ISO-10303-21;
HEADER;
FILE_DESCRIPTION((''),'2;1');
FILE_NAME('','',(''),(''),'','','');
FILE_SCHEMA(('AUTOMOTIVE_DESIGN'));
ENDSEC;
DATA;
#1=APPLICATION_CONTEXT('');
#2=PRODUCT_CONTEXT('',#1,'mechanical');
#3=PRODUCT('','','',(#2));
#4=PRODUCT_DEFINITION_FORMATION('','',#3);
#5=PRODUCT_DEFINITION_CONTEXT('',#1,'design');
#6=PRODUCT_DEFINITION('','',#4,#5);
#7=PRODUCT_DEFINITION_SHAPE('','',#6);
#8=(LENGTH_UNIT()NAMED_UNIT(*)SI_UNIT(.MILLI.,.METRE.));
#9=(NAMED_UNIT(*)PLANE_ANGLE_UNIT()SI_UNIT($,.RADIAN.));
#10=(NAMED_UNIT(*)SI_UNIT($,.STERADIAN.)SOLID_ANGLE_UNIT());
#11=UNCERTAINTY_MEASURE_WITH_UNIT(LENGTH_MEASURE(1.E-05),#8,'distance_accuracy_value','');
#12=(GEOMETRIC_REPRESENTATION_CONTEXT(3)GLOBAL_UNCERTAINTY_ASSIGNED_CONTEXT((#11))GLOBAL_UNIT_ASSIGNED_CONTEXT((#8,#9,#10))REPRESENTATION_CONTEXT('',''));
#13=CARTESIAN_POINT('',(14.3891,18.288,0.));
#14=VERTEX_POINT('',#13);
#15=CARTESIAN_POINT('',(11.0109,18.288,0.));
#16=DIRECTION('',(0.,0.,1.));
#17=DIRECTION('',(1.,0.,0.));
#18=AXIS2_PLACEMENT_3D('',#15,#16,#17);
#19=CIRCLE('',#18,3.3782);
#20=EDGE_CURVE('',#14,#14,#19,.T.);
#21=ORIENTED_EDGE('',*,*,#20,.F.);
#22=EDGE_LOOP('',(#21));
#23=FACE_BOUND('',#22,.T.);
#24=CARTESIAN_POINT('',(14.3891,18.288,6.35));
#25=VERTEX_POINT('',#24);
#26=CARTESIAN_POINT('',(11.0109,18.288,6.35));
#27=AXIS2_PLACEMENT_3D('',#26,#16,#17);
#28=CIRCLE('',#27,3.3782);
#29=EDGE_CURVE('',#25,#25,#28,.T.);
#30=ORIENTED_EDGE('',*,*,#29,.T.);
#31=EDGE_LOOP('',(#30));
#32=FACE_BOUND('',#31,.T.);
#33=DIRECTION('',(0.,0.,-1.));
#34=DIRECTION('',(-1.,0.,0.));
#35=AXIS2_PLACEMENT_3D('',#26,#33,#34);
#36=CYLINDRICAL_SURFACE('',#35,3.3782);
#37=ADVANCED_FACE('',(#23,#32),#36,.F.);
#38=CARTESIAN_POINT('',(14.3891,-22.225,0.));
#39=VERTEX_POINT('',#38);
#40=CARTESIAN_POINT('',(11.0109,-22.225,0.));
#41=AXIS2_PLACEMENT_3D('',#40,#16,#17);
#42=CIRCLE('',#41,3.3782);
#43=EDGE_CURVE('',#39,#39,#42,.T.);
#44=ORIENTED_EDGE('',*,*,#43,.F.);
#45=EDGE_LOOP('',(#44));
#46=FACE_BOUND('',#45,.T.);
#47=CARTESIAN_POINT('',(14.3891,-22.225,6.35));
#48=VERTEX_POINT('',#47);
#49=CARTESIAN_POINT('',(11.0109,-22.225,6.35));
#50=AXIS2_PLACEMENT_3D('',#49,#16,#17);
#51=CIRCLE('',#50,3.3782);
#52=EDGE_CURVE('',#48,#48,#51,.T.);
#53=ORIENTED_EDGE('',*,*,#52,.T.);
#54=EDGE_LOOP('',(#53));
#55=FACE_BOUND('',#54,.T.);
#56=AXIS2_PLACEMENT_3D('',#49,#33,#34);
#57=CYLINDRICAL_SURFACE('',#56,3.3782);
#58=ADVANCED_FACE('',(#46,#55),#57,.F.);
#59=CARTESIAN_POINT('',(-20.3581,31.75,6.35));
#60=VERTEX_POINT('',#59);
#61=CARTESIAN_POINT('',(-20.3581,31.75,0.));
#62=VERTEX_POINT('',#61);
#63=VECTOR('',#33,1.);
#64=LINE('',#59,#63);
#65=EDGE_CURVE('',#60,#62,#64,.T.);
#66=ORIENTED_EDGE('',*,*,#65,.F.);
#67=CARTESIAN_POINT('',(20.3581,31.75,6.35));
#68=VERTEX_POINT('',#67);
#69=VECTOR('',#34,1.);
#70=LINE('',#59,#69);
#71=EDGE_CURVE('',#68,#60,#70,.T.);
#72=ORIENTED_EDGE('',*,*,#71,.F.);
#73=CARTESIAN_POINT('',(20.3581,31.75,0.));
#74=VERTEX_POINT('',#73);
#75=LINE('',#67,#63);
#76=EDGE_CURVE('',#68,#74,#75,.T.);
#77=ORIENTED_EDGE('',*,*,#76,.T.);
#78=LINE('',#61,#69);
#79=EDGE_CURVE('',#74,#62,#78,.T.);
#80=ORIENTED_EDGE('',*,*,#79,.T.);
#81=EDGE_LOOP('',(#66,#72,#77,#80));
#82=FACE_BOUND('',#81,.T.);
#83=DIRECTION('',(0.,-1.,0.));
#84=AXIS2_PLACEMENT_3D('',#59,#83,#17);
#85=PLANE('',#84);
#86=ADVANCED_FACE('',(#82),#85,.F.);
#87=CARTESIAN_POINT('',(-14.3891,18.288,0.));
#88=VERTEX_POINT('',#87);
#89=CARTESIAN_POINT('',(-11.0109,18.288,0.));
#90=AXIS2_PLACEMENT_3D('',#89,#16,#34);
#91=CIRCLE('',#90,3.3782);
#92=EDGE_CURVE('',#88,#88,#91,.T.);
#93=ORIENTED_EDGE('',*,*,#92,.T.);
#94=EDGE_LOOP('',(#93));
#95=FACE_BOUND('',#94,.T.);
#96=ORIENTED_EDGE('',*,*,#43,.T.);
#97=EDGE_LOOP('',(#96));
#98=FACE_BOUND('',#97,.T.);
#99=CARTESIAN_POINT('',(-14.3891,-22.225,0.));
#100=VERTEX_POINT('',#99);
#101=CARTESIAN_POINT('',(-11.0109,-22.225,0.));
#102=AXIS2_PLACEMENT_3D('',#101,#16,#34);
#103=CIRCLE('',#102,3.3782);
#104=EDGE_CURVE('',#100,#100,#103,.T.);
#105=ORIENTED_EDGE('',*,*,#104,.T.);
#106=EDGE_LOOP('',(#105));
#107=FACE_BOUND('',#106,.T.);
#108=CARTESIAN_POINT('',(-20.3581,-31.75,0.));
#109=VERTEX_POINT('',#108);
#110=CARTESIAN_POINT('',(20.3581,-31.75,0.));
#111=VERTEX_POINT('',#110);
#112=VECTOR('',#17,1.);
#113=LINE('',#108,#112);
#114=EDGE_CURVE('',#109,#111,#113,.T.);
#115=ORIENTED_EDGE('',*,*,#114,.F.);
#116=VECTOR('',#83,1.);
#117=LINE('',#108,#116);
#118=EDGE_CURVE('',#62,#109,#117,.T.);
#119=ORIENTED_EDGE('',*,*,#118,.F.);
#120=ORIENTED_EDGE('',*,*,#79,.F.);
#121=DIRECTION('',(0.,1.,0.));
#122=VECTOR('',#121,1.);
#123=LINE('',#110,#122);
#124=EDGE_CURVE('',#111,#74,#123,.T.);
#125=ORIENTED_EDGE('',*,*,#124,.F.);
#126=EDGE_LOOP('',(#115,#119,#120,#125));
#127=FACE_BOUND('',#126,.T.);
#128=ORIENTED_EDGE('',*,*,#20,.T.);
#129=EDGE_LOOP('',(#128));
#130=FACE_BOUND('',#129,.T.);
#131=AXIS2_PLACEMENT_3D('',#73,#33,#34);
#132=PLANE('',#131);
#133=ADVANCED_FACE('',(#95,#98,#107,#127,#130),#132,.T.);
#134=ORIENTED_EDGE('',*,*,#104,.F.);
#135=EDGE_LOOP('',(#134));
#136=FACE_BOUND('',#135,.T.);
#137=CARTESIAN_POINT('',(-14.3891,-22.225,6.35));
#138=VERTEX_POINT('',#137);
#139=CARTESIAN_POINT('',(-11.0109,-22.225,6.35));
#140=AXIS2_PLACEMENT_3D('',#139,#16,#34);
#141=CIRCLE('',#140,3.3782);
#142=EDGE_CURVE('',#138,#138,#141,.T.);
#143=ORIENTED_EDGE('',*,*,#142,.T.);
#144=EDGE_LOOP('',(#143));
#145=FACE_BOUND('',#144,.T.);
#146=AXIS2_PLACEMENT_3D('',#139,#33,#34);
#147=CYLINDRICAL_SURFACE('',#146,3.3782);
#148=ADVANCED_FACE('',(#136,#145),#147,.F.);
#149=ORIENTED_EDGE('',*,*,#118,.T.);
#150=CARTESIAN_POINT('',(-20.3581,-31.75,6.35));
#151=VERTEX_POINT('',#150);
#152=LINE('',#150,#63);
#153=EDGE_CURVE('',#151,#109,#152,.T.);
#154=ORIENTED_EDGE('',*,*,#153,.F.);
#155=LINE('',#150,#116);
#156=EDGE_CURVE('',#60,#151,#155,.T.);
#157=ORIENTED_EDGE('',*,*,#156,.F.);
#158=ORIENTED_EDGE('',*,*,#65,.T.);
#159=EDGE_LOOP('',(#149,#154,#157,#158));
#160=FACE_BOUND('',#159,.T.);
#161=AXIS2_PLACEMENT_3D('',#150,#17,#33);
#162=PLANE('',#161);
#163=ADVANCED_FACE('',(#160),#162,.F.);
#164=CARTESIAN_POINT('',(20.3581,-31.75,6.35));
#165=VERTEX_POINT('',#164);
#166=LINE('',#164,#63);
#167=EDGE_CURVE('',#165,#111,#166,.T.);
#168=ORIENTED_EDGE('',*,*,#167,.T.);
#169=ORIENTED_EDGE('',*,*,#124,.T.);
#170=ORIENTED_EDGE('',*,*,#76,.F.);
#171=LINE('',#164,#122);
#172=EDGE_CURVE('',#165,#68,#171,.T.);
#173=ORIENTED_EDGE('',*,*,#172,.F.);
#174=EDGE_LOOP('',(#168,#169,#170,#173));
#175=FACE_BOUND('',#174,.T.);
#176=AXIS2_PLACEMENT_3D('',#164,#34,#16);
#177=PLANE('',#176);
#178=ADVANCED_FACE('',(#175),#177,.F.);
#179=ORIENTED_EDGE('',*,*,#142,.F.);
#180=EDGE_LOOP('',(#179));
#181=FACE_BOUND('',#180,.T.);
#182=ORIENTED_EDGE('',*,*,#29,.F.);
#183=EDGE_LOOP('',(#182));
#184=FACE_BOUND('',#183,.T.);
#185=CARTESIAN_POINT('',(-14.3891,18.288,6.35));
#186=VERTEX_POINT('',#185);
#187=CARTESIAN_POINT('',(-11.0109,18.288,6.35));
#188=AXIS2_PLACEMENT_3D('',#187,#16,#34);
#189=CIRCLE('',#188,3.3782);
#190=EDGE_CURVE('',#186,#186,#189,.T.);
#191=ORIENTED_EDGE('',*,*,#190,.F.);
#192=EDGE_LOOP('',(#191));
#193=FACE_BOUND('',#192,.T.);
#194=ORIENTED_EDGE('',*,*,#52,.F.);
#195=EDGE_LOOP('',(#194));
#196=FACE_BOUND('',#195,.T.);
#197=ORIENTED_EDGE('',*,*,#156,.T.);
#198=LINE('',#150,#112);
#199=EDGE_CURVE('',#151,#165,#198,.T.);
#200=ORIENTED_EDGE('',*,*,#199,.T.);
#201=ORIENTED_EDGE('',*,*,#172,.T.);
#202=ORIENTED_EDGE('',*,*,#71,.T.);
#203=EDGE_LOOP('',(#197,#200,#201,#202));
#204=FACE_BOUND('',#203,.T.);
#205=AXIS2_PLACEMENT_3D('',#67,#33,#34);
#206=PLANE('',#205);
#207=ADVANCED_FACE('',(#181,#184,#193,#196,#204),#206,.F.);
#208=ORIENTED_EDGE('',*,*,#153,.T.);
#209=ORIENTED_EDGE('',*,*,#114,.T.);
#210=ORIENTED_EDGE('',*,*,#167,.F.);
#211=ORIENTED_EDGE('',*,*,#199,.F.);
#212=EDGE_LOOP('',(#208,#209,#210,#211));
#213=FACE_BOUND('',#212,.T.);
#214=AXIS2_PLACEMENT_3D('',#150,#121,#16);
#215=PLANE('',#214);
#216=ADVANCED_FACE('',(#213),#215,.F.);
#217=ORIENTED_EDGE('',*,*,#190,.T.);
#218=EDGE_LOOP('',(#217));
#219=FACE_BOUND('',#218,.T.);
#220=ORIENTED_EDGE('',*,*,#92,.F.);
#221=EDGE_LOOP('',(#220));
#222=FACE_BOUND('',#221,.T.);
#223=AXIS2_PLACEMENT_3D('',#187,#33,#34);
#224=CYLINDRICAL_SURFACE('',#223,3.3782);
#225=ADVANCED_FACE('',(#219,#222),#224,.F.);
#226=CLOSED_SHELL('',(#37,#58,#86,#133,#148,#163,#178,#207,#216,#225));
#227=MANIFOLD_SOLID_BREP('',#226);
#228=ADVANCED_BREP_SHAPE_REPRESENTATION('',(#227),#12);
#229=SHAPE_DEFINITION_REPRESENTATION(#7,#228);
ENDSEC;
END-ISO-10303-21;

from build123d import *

# Parameters (mm, degrees)
SKETCH2_W           = 40.7162
SKETCH2_H           = 63.5
SKETCH2_R           = 3.3782
BOSS_EXTRUDE1_DEPTH = 6.35


with BuildPart() as part:
    # Sketch2 → Boss-Extrude1 (new body)
    with BuildSketch(Plane.XY):
        Rectangle(SKETCH2_W, SKETCH2_H)
        with Locations((11.0109, 18.288)):
            Circle(SKETCH2_R, mode=Mode.SUBTRACT)
        with Locations((11.0109, -22.225)):
            Circle(SKETCH2_R, mode=Mode.SUBTRACT)
        with Locations((-11.0109, -22.225)):
            Circle(SKETCH2_R, mode=Mode.SUBTRACT)
        with Locations((-11.0109, 18.288)):
            Circle(SKETCH2_R, mode=Mode.SUBTRACT)
    extrude(amount=BOSS_EXTRUDE1_DEPTH)


solid = part.part
